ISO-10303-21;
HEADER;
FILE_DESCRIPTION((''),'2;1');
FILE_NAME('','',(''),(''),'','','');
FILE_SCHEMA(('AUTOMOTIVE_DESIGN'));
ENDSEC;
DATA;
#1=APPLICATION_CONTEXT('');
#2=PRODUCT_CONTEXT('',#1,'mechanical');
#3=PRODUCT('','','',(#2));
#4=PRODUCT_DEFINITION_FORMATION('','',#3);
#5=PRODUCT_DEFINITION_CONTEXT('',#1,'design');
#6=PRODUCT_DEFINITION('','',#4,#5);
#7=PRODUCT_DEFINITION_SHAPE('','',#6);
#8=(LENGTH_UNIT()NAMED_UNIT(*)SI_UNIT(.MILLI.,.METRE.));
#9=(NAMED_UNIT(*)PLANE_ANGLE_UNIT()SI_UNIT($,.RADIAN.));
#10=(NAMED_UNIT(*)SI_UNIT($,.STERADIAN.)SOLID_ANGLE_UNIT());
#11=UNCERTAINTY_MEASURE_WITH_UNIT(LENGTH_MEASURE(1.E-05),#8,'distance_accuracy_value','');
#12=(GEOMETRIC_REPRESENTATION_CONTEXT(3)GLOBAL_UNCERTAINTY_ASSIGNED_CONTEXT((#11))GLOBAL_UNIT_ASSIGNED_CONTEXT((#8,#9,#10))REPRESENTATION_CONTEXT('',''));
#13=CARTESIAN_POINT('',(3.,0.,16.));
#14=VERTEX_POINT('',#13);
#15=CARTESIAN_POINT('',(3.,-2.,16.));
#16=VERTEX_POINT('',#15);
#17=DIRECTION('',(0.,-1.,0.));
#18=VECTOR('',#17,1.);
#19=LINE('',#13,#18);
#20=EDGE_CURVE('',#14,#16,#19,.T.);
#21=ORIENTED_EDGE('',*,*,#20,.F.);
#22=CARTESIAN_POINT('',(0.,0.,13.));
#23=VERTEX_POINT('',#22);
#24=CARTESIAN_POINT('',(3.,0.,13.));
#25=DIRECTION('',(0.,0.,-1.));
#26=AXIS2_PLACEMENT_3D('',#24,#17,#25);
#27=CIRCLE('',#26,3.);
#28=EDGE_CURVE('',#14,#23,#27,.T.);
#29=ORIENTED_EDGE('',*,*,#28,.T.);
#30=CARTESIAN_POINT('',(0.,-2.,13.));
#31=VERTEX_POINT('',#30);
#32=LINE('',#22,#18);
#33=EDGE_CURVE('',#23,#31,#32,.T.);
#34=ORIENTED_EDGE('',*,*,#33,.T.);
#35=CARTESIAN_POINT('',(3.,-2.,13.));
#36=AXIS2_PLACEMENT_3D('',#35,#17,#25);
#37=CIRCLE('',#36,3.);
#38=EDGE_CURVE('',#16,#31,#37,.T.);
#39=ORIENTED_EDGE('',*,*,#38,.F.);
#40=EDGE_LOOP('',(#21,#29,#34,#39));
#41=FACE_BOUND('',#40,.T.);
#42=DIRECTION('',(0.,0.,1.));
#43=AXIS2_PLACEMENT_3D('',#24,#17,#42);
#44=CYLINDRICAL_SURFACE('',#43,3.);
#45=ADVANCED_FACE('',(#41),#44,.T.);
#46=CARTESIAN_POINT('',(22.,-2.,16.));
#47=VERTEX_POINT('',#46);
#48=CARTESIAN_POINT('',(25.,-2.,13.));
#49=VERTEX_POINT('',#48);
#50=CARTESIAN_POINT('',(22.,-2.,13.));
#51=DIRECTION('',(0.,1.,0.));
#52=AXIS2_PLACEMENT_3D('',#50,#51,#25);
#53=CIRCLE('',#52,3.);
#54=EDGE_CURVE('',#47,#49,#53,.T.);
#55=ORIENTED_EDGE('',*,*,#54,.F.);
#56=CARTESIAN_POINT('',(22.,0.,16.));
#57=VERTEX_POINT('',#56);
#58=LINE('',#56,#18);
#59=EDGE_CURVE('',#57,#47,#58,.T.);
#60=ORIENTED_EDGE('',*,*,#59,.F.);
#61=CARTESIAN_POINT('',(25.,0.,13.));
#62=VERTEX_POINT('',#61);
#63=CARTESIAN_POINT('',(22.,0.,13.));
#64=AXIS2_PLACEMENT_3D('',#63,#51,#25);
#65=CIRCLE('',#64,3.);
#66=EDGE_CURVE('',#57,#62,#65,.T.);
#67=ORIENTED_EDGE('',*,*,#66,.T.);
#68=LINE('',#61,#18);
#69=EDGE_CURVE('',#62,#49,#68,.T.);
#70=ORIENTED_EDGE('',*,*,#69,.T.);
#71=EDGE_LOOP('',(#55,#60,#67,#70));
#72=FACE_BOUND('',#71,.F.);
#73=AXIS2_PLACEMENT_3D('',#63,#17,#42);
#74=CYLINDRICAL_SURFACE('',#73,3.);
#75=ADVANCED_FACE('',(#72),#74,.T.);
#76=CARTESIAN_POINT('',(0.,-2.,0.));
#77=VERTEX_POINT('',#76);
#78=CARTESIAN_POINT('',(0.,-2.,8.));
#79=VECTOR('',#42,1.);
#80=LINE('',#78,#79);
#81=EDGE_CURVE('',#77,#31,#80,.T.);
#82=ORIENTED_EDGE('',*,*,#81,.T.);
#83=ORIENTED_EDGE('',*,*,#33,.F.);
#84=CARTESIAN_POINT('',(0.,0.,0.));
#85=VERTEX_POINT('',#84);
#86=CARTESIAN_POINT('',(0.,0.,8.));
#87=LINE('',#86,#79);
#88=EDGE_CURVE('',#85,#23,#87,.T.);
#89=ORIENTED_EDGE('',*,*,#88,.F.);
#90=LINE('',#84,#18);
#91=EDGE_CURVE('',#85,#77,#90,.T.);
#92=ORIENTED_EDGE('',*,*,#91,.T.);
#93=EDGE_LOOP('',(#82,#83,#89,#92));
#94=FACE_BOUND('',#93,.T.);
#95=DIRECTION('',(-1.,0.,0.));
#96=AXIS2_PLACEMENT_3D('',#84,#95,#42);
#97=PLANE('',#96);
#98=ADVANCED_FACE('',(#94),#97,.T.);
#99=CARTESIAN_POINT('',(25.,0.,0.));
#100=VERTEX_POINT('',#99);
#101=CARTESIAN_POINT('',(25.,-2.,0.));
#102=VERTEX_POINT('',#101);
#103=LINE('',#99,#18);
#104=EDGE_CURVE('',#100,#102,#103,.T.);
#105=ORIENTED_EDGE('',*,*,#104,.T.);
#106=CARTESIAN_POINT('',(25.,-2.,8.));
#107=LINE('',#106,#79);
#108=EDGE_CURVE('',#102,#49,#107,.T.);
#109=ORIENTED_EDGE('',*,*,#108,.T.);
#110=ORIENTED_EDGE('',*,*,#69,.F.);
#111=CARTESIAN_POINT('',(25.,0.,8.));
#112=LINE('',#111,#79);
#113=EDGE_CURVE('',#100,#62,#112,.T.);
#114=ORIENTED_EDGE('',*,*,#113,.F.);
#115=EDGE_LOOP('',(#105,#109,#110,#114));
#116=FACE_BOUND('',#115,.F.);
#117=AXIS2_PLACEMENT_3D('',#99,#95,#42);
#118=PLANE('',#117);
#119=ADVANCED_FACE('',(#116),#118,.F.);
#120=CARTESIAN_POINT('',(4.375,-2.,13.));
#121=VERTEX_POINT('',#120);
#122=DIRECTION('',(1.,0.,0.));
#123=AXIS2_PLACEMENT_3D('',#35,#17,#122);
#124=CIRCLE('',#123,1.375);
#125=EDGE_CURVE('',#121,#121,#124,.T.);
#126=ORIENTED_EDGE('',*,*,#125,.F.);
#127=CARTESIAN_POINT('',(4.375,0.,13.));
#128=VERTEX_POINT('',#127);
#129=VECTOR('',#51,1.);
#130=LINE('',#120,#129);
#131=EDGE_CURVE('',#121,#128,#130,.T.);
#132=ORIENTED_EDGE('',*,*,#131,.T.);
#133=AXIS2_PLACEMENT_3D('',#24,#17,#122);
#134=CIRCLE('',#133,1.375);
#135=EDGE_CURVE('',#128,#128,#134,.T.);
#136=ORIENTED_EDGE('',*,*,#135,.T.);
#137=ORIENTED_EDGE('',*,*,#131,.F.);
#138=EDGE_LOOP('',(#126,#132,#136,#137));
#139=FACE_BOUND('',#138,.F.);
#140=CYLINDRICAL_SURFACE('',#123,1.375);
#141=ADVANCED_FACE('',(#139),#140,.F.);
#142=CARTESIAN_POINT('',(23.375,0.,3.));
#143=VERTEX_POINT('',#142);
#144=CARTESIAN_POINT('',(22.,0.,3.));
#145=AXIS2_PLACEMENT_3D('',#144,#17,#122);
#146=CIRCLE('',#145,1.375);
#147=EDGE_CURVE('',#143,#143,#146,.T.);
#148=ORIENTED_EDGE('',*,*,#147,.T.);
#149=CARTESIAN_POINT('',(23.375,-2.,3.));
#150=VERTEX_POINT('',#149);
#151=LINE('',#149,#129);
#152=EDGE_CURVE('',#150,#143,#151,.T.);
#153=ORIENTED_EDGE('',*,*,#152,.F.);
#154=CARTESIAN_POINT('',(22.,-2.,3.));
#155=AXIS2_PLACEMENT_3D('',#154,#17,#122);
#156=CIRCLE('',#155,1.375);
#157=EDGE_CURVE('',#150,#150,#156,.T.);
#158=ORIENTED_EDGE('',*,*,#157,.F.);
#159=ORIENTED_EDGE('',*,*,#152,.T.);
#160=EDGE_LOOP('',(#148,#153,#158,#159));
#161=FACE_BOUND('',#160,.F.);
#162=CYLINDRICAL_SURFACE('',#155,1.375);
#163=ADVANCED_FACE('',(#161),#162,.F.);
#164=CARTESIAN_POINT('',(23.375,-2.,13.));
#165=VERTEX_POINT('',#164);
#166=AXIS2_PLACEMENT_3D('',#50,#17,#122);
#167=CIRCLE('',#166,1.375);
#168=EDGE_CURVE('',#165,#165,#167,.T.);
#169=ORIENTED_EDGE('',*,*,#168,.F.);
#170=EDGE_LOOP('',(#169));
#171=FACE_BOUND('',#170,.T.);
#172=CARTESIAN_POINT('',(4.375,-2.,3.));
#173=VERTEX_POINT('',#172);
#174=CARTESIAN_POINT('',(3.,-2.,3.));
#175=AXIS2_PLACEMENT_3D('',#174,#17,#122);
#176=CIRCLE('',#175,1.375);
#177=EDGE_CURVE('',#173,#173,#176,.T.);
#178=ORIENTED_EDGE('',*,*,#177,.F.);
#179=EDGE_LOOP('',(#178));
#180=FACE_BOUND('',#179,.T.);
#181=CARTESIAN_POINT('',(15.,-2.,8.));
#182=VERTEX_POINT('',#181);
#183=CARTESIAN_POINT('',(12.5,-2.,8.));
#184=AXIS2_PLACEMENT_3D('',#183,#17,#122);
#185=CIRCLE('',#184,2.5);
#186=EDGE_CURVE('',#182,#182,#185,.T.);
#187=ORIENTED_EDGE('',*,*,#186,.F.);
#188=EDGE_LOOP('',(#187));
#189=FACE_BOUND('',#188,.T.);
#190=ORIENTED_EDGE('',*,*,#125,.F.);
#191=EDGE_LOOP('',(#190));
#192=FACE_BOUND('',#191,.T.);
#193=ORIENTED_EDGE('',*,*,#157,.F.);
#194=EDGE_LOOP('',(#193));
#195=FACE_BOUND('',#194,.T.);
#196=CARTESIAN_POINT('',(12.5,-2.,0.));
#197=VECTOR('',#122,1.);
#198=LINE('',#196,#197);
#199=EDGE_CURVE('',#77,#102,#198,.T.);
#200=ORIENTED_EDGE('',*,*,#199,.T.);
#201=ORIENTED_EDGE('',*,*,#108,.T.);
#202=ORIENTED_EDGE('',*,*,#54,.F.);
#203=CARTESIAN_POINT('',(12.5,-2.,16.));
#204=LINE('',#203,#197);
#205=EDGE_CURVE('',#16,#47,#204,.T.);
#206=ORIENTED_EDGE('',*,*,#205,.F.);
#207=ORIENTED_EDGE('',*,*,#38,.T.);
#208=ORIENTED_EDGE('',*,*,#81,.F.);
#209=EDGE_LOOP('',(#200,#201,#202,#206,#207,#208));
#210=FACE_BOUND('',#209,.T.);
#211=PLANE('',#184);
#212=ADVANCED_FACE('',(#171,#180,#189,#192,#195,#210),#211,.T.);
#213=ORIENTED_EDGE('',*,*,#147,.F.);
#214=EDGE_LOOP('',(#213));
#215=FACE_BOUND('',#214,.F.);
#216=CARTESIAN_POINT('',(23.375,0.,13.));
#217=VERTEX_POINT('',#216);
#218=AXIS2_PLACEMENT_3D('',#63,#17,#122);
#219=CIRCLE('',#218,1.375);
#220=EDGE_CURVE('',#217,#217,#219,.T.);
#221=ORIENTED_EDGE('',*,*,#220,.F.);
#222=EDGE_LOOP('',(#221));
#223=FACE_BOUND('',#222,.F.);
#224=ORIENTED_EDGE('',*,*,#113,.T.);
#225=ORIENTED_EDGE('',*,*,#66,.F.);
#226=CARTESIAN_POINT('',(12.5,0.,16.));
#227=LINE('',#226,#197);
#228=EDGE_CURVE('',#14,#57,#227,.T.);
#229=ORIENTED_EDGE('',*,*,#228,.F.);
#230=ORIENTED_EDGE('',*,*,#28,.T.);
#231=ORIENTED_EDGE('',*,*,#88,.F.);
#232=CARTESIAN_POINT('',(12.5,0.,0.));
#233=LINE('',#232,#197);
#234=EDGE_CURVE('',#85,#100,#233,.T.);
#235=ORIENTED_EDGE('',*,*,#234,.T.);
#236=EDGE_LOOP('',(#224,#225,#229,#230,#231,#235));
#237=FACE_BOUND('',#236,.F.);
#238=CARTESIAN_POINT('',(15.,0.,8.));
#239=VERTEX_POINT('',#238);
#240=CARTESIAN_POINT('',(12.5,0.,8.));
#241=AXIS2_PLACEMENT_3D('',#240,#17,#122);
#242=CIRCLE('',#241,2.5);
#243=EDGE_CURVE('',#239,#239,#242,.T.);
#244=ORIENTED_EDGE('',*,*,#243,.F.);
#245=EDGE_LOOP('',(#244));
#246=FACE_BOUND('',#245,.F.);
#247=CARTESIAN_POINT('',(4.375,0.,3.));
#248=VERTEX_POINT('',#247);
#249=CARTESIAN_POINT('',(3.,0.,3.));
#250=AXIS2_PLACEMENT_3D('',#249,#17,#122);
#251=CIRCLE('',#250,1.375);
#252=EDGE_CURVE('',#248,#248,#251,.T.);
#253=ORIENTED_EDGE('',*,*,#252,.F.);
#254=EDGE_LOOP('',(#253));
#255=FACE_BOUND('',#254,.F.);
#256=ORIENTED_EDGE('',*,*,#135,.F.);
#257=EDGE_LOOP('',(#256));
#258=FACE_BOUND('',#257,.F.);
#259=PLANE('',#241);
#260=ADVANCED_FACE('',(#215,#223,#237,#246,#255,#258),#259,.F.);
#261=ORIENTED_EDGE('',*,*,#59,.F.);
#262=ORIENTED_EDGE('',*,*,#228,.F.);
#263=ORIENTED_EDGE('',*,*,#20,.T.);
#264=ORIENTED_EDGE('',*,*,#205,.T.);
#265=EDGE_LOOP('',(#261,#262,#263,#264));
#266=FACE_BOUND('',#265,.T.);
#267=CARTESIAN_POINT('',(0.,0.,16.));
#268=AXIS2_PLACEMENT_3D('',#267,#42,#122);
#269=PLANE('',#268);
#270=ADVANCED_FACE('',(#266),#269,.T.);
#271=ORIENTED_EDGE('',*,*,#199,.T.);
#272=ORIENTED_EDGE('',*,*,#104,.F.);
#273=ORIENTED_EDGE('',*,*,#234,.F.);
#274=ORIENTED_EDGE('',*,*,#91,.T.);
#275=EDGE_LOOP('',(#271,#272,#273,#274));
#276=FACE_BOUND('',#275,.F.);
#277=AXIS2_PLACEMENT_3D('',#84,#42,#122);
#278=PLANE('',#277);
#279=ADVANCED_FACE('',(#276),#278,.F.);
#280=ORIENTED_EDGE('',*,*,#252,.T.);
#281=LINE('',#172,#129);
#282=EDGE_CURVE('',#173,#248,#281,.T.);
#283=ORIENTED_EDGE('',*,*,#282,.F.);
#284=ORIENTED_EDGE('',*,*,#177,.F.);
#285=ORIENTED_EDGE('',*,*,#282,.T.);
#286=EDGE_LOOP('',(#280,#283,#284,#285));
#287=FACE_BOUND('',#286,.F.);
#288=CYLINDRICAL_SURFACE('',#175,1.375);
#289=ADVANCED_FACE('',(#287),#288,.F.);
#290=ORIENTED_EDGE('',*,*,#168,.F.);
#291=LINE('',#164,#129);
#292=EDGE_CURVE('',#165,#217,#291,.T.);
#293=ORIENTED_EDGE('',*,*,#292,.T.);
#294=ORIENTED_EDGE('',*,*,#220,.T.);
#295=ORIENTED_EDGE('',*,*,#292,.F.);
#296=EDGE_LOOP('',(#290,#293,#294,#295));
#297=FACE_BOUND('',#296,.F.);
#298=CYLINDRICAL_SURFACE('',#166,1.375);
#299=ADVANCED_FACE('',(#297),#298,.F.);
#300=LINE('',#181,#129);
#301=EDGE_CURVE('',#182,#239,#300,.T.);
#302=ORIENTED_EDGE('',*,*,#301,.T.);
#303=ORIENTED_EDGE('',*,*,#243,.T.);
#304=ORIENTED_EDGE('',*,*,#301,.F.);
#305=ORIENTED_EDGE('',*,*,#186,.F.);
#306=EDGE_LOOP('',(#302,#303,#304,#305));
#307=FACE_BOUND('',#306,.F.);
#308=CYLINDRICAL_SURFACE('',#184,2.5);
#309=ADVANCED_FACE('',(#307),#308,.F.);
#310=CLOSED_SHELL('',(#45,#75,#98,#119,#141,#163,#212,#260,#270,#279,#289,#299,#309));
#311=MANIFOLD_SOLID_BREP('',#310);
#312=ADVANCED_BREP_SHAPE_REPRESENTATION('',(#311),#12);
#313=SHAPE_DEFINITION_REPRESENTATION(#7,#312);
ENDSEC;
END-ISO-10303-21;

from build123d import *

# Parameters (mm, degrees)
F0_W      = 25
F0_H      = 16
F1_DEPTH  = 2
F2_R      = 1.375
F6_DEPTH  = 3
F3_R      = 1.375
F7_DEPTH  = 3
F4_R      = 1.375
F8_DEPTH  = 3
F5_R      = 1.375
F9_DEPTH  = 3
F10_R     = 3
F11_R     = 3
F12_R     = 2.5
F13_DEPTH = 3


with BuildPart() as f1:
    # F0 (on Front) → F1 (new body)
    with BuildSketch(Plane.XZ):
        with Locations((12.5, 8)):
            Rectangle(F0_W, F0_H)
    extrude(amount=F1_DEPTH)

    # F2 (on face) → F6 (cut)
    with BuildSketch(Plane.XZ.offset(2)):
        with Locations((3, 13)):
            Circle(F2_R)
    extrude(amount=-F6_DEPTH, mode=Mode.SUBTRACT)

    # F3 (on face) → F7 (cut)
    with BuildSketch(Plane.XZ.offset(2)):
        with Locations((3, 3)):
            Circle(F3_R)
    extrude(amount=-F7_DEPTH, mode=Mode.SUBTRACT)

    # F4 (on face) → F8 (cut)
    with BuildSketch(Plane.XZ.offset(2)):
        with Locations((22, 13)):
            Circle(F4_R)
    extrude(amount=-F8_DEPTH, mode=Mode.SUBTRACT)

    # F5 (on face) → F9 (cut)
    with BuildSketch(Plane.XZ.offset(2)):
        with Locations((22, 3)):
            Circle(F5_R)
    extrude(amount=-F9_DEPTH, mode=Mode.SUBTRACT)

    # F10
    f10_edges = [f1.edges().sort_by_distance(p)[0] for p in [
        (25, -1, 16),
    ]]
    fillet(f10_edges, radius=F10_R)

    # F11
    f11_edges = [f1.edges().sort_by_distance(p)[0] for p in [
        (0, -1, 16),
    ]]
    fillet(f11_edges, radius=F11_R)

    # F12 (on face) → F13 (cut)
    with BuildSketch(Plane.XZ.offset(2)):
        with Locations((12.5, 8)):
            Circle(F12_R)
    extrude(amount=-F13_DEPTH, mode=Mode.SUBTRACT)


solid = f1.part
